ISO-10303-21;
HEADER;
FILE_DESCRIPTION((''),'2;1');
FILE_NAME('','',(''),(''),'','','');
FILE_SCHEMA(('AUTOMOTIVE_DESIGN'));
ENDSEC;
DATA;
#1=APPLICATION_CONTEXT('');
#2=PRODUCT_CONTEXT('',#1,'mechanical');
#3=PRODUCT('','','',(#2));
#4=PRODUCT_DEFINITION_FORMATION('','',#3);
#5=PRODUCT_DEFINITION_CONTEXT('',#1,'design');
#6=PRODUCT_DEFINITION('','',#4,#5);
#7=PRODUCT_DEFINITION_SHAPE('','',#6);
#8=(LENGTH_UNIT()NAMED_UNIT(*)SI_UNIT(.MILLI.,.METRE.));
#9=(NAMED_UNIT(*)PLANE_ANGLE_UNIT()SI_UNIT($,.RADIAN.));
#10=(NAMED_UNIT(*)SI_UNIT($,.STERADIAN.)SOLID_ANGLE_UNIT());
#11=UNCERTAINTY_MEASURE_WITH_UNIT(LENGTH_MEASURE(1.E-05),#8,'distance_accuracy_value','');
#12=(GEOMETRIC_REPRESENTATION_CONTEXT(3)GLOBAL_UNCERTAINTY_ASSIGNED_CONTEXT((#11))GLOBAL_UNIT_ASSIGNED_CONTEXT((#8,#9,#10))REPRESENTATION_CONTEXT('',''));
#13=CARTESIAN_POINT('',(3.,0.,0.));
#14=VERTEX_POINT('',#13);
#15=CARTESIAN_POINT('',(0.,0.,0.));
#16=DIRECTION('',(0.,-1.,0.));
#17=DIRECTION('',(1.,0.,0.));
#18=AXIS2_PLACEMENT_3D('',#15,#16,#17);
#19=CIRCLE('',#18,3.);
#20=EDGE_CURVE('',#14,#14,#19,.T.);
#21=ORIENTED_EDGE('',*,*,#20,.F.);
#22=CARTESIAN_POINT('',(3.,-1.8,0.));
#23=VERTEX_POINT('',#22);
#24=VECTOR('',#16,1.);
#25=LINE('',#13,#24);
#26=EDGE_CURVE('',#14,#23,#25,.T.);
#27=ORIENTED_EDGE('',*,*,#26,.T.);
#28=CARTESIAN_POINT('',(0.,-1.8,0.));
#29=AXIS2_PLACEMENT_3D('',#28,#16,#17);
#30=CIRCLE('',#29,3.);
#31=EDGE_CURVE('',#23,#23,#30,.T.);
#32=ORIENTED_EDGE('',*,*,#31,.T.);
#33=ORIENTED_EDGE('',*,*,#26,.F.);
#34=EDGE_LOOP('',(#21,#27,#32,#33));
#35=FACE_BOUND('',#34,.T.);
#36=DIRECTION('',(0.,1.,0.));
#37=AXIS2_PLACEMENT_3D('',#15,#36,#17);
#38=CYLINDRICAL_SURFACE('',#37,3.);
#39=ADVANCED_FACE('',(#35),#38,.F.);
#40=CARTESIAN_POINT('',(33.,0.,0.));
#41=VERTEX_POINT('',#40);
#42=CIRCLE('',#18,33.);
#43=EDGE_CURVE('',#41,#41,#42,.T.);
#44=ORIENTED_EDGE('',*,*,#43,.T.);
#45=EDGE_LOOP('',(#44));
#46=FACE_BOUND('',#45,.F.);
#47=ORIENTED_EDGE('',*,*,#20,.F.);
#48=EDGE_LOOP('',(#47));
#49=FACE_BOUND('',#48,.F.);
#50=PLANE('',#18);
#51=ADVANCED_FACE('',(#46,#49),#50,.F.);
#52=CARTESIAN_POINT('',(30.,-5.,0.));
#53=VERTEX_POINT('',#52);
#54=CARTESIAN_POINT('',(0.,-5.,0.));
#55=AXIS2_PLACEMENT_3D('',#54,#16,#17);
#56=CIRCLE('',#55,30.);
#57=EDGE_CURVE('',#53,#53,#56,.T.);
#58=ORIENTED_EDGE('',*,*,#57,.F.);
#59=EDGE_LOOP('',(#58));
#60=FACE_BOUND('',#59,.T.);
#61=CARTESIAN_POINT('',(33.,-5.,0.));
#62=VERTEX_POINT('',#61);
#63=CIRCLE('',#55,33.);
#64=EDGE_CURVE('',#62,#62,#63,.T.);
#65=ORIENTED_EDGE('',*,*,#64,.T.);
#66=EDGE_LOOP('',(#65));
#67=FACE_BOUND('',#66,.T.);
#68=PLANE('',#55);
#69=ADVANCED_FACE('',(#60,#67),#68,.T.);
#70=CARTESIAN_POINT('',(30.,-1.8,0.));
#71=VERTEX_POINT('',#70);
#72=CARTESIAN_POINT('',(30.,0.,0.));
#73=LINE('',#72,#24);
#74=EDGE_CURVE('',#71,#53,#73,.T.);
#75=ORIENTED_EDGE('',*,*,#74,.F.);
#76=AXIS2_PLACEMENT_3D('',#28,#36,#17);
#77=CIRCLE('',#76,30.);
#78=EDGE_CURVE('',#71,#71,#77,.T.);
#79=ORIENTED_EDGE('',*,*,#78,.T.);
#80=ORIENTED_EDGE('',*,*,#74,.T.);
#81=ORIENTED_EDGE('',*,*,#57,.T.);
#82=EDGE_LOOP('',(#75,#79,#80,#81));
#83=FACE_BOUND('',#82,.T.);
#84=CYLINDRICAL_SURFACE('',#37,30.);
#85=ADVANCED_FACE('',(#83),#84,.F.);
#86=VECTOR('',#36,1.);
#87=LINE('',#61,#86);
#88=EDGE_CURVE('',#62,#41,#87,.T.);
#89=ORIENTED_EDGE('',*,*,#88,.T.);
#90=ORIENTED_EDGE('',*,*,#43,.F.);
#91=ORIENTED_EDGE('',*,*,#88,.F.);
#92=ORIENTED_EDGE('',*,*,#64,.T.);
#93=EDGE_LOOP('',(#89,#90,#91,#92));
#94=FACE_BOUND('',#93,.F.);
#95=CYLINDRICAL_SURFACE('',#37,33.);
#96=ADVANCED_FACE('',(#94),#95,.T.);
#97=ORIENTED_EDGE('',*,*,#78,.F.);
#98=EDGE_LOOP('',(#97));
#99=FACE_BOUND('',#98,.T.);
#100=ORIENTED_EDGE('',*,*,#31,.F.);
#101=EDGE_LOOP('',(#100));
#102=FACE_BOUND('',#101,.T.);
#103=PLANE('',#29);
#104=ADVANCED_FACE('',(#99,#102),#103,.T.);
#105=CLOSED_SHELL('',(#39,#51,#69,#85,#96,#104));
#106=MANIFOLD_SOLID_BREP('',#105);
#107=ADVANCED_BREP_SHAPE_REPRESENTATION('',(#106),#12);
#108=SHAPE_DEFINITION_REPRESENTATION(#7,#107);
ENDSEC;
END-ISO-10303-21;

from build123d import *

# Parameters (mm, degrees)
F0_R     = 33
F0_R_2   = 30
F0_R_3   = 3
F1_DEPTH = 1.8
F2_DEPTH = 5


with BuildPart() as f1:
    # F0 (on Front) → F1 (new body)
    with BuildSketch(Plane.XZ):
        Circle(F0_R)
        Circle(F0_R_2, mode=Mode.SUBTRACT)
        Circle(F0_R_2)
        Circle(F0_R_3, mode=Mode.SUBTRACT)
    extrude(amount=F1_DEPTH)

    # F0 (on Front) → F2 (join)
    with BuildSketch(Plane.XZ):
        Circle(F0_R)
        Circle(F0_R_2, mode=Mode.SUBTRACT)
    extrude(amount=F2_DEPTH)


solid = f1.part
